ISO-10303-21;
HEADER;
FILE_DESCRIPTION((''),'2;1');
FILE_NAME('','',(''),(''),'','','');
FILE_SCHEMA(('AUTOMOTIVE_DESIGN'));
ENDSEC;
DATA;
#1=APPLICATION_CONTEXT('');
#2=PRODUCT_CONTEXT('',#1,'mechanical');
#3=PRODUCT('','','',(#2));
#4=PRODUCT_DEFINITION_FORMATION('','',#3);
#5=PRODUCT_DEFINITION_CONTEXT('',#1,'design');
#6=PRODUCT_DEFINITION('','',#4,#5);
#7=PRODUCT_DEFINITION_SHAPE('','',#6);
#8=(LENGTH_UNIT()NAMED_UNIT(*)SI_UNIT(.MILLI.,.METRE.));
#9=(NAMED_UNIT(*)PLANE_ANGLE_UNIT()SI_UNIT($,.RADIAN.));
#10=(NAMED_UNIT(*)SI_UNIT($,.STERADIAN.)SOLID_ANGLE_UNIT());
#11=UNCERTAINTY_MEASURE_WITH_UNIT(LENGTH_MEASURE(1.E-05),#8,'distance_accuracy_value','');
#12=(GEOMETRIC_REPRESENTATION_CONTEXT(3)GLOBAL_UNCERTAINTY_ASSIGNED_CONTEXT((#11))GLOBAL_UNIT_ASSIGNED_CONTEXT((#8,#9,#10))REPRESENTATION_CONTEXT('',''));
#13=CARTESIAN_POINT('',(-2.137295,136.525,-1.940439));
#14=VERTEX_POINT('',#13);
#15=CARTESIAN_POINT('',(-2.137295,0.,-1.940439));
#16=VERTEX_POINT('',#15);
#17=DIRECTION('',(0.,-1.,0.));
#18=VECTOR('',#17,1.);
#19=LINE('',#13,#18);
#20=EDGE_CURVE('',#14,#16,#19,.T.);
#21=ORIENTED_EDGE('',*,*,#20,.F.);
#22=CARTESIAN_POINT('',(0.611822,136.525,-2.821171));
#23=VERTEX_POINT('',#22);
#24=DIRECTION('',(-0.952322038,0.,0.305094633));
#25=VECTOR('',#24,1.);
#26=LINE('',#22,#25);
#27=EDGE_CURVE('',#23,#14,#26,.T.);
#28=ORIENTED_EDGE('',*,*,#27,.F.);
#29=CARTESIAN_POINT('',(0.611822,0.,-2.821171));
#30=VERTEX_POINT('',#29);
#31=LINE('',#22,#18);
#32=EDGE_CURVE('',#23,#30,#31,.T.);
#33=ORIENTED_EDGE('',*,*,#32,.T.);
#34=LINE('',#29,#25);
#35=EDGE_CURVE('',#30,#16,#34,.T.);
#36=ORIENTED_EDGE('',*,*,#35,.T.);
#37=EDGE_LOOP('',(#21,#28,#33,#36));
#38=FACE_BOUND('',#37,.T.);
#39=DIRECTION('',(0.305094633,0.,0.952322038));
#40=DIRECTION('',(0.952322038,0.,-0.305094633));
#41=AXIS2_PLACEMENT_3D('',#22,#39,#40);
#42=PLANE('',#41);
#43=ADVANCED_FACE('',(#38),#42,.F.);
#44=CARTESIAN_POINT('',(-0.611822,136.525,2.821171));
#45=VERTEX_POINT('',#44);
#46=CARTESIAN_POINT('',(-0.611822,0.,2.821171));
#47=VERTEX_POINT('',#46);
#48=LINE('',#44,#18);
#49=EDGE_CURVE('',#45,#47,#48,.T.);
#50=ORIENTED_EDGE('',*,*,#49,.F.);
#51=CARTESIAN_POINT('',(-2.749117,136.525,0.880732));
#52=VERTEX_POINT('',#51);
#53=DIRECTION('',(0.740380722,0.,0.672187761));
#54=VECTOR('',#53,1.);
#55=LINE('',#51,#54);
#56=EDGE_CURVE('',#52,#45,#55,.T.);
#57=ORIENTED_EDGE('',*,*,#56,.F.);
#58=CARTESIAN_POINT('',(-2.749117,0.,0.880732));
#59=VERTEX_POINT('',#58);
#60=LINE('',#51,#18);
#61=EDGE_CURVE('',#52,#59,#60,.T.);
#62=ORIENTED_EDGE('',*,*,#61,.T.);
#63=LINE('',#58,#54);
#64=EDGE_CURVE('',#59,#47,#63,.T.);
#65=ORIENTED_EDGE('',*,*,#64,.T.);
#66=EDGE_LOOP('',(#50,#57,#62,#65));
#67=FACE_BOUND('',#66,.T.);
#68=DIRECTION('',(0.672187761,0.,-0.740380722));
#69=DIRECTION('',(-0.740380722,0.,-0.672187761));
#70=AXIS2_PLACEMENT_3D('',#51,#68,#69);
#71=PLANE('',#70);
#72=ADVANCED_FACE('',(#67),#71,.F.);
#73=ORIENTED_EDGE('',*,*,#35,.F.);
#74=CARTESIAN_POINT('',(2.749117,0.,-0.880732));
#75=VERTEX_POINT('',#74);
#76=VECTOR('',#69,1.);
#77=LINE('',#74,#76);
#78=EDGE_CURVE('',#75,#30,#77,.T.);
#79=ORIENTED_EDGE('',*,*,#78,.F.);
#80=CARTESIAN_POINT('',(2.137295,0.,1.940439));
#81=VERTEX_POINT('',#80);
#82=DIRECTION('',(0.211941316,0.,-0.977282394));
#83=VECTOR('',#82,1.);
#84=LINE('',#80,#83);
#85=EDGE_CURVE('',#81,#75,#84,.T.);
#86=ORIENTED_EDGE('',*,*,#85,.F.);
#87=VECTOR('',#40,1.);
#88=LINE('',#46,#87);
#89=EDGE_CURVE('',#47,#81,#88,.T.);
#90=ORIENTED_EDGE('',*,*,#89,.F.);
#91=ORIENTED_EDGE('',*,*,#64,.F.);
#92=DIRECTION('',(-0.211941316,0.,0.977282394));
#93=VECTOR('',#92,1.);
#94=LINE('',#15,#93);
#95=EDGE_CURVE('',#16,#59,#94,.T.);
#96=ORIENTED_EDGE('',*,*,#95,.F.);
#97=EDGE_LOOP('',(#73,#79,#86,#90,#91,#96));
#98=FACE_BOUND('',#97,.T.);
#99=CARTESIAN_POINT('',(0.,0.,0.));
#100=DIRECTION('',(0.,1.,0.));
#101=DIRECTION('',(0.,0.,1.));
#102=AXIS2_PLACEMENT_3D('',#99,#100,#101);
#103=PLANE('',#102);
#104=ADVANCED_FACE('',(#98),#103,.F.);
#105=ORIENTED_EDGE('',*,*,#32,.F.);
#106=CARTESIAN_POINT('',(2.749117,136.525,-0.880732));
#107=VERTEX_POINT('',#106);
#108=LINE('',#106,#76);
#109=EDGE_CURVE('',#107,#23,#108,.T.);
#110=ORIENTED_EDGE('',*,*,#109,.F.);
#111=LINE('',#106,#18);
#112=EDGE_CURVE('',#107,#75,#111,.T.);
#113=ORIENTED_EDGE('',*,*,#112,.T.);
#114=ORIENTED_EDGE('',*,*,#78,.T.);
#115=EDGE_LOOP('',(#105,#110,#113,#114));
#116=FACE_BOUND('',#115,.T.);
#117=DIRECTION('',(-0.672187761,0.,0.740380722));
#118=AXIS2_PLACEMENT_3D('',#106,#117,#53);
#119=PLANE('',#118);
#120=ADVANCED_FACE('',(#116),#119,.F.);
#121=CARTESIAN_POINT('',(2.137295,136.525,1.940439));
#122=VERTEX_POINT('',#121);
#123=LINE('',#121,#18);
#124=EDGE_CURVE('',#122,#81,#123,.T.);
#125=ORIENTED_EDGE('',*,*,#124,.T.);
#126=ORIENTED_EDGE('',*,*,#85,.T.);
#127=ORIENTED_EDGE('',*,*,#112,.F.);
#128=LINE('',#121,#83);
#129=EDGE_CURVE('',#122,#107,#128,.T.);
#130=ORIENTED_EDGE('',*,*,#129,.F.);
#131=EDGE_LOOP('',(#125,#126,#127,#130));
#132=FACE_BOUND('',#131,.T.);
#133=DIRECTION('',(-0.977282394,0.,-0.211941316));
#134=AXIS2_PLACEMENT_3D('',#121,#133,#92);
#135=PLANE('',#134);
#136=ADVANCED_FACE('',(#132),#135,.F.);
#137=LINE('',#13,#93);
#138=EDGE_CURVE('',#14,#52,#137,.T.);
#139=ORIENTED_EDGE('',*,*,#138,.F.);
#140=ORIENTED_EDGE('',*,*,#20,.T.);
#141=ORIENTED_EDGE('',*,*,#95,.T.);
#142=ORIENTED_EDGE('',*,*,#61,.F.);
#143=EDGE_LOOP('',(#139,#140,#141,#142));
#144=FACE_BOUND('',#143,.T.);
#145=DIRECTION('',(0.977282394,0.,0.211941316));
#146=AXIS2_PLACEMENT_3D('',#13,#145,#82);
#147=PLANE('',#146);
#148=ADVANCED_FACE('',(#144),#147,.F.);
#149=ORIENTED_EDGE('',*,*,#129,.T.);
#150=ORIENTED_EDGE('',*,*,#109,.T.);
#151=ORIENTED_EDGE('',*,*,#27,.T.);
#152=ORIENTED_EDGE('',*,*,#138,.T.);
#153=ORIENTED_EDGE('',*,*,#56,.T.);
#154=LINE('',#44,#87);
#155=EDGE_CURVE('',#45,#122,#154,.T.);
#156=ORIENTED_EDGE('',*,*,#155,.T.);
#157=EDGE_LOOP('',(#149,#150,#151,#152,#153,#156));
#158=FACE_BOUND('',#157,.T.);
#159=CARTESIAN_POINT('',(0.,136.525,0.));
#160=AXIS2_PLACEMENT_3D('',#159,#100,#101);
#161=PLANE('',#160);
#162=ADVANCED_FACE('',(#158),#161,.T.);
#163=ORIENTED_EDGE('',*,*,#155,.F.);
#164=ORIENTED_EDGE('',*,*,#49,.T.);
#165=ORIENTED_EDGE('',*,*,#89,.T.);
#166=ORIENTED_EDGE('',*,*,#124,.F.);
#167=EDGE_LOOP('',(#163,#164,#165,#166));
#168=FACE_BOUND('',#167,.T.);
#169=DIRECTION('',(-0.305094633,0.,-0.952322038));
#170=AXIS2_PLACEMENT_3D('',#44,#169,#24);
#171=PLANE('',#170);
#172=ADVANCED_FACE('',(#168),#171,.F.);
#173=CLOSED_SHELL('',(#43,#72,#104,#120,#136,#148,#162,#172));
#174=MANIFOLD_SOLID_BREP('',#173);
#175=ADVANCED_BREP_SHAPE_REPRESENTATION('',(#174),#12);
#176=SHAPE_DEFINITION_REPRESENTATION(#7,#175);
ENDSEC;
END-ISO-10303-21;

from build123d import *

# Parameters (mm, degrees)
BOSS_EXTRUDE1_DEPTH = 136.525


with BuildPart() as part:
    # Sketch2 → Boss-Extrude1 (new body)
    with BuildSketch(Plane(origin=(0, 0, 0), x_dir=(1, 0, 0), z_dir=(0, 1, 0))):
        Polygon((2.137295047, -1.940438924), (2.749116926, 0.880732344), (0.611821879, 2.821171268), (-2.137295047, 1.940438924), (-2.749116926, -0.880732344), (-0.611821879, -2.821171268), align=None)
    extrude(amount=BOSS_EXTRUDE1_DEPTH)


solid = part.part
